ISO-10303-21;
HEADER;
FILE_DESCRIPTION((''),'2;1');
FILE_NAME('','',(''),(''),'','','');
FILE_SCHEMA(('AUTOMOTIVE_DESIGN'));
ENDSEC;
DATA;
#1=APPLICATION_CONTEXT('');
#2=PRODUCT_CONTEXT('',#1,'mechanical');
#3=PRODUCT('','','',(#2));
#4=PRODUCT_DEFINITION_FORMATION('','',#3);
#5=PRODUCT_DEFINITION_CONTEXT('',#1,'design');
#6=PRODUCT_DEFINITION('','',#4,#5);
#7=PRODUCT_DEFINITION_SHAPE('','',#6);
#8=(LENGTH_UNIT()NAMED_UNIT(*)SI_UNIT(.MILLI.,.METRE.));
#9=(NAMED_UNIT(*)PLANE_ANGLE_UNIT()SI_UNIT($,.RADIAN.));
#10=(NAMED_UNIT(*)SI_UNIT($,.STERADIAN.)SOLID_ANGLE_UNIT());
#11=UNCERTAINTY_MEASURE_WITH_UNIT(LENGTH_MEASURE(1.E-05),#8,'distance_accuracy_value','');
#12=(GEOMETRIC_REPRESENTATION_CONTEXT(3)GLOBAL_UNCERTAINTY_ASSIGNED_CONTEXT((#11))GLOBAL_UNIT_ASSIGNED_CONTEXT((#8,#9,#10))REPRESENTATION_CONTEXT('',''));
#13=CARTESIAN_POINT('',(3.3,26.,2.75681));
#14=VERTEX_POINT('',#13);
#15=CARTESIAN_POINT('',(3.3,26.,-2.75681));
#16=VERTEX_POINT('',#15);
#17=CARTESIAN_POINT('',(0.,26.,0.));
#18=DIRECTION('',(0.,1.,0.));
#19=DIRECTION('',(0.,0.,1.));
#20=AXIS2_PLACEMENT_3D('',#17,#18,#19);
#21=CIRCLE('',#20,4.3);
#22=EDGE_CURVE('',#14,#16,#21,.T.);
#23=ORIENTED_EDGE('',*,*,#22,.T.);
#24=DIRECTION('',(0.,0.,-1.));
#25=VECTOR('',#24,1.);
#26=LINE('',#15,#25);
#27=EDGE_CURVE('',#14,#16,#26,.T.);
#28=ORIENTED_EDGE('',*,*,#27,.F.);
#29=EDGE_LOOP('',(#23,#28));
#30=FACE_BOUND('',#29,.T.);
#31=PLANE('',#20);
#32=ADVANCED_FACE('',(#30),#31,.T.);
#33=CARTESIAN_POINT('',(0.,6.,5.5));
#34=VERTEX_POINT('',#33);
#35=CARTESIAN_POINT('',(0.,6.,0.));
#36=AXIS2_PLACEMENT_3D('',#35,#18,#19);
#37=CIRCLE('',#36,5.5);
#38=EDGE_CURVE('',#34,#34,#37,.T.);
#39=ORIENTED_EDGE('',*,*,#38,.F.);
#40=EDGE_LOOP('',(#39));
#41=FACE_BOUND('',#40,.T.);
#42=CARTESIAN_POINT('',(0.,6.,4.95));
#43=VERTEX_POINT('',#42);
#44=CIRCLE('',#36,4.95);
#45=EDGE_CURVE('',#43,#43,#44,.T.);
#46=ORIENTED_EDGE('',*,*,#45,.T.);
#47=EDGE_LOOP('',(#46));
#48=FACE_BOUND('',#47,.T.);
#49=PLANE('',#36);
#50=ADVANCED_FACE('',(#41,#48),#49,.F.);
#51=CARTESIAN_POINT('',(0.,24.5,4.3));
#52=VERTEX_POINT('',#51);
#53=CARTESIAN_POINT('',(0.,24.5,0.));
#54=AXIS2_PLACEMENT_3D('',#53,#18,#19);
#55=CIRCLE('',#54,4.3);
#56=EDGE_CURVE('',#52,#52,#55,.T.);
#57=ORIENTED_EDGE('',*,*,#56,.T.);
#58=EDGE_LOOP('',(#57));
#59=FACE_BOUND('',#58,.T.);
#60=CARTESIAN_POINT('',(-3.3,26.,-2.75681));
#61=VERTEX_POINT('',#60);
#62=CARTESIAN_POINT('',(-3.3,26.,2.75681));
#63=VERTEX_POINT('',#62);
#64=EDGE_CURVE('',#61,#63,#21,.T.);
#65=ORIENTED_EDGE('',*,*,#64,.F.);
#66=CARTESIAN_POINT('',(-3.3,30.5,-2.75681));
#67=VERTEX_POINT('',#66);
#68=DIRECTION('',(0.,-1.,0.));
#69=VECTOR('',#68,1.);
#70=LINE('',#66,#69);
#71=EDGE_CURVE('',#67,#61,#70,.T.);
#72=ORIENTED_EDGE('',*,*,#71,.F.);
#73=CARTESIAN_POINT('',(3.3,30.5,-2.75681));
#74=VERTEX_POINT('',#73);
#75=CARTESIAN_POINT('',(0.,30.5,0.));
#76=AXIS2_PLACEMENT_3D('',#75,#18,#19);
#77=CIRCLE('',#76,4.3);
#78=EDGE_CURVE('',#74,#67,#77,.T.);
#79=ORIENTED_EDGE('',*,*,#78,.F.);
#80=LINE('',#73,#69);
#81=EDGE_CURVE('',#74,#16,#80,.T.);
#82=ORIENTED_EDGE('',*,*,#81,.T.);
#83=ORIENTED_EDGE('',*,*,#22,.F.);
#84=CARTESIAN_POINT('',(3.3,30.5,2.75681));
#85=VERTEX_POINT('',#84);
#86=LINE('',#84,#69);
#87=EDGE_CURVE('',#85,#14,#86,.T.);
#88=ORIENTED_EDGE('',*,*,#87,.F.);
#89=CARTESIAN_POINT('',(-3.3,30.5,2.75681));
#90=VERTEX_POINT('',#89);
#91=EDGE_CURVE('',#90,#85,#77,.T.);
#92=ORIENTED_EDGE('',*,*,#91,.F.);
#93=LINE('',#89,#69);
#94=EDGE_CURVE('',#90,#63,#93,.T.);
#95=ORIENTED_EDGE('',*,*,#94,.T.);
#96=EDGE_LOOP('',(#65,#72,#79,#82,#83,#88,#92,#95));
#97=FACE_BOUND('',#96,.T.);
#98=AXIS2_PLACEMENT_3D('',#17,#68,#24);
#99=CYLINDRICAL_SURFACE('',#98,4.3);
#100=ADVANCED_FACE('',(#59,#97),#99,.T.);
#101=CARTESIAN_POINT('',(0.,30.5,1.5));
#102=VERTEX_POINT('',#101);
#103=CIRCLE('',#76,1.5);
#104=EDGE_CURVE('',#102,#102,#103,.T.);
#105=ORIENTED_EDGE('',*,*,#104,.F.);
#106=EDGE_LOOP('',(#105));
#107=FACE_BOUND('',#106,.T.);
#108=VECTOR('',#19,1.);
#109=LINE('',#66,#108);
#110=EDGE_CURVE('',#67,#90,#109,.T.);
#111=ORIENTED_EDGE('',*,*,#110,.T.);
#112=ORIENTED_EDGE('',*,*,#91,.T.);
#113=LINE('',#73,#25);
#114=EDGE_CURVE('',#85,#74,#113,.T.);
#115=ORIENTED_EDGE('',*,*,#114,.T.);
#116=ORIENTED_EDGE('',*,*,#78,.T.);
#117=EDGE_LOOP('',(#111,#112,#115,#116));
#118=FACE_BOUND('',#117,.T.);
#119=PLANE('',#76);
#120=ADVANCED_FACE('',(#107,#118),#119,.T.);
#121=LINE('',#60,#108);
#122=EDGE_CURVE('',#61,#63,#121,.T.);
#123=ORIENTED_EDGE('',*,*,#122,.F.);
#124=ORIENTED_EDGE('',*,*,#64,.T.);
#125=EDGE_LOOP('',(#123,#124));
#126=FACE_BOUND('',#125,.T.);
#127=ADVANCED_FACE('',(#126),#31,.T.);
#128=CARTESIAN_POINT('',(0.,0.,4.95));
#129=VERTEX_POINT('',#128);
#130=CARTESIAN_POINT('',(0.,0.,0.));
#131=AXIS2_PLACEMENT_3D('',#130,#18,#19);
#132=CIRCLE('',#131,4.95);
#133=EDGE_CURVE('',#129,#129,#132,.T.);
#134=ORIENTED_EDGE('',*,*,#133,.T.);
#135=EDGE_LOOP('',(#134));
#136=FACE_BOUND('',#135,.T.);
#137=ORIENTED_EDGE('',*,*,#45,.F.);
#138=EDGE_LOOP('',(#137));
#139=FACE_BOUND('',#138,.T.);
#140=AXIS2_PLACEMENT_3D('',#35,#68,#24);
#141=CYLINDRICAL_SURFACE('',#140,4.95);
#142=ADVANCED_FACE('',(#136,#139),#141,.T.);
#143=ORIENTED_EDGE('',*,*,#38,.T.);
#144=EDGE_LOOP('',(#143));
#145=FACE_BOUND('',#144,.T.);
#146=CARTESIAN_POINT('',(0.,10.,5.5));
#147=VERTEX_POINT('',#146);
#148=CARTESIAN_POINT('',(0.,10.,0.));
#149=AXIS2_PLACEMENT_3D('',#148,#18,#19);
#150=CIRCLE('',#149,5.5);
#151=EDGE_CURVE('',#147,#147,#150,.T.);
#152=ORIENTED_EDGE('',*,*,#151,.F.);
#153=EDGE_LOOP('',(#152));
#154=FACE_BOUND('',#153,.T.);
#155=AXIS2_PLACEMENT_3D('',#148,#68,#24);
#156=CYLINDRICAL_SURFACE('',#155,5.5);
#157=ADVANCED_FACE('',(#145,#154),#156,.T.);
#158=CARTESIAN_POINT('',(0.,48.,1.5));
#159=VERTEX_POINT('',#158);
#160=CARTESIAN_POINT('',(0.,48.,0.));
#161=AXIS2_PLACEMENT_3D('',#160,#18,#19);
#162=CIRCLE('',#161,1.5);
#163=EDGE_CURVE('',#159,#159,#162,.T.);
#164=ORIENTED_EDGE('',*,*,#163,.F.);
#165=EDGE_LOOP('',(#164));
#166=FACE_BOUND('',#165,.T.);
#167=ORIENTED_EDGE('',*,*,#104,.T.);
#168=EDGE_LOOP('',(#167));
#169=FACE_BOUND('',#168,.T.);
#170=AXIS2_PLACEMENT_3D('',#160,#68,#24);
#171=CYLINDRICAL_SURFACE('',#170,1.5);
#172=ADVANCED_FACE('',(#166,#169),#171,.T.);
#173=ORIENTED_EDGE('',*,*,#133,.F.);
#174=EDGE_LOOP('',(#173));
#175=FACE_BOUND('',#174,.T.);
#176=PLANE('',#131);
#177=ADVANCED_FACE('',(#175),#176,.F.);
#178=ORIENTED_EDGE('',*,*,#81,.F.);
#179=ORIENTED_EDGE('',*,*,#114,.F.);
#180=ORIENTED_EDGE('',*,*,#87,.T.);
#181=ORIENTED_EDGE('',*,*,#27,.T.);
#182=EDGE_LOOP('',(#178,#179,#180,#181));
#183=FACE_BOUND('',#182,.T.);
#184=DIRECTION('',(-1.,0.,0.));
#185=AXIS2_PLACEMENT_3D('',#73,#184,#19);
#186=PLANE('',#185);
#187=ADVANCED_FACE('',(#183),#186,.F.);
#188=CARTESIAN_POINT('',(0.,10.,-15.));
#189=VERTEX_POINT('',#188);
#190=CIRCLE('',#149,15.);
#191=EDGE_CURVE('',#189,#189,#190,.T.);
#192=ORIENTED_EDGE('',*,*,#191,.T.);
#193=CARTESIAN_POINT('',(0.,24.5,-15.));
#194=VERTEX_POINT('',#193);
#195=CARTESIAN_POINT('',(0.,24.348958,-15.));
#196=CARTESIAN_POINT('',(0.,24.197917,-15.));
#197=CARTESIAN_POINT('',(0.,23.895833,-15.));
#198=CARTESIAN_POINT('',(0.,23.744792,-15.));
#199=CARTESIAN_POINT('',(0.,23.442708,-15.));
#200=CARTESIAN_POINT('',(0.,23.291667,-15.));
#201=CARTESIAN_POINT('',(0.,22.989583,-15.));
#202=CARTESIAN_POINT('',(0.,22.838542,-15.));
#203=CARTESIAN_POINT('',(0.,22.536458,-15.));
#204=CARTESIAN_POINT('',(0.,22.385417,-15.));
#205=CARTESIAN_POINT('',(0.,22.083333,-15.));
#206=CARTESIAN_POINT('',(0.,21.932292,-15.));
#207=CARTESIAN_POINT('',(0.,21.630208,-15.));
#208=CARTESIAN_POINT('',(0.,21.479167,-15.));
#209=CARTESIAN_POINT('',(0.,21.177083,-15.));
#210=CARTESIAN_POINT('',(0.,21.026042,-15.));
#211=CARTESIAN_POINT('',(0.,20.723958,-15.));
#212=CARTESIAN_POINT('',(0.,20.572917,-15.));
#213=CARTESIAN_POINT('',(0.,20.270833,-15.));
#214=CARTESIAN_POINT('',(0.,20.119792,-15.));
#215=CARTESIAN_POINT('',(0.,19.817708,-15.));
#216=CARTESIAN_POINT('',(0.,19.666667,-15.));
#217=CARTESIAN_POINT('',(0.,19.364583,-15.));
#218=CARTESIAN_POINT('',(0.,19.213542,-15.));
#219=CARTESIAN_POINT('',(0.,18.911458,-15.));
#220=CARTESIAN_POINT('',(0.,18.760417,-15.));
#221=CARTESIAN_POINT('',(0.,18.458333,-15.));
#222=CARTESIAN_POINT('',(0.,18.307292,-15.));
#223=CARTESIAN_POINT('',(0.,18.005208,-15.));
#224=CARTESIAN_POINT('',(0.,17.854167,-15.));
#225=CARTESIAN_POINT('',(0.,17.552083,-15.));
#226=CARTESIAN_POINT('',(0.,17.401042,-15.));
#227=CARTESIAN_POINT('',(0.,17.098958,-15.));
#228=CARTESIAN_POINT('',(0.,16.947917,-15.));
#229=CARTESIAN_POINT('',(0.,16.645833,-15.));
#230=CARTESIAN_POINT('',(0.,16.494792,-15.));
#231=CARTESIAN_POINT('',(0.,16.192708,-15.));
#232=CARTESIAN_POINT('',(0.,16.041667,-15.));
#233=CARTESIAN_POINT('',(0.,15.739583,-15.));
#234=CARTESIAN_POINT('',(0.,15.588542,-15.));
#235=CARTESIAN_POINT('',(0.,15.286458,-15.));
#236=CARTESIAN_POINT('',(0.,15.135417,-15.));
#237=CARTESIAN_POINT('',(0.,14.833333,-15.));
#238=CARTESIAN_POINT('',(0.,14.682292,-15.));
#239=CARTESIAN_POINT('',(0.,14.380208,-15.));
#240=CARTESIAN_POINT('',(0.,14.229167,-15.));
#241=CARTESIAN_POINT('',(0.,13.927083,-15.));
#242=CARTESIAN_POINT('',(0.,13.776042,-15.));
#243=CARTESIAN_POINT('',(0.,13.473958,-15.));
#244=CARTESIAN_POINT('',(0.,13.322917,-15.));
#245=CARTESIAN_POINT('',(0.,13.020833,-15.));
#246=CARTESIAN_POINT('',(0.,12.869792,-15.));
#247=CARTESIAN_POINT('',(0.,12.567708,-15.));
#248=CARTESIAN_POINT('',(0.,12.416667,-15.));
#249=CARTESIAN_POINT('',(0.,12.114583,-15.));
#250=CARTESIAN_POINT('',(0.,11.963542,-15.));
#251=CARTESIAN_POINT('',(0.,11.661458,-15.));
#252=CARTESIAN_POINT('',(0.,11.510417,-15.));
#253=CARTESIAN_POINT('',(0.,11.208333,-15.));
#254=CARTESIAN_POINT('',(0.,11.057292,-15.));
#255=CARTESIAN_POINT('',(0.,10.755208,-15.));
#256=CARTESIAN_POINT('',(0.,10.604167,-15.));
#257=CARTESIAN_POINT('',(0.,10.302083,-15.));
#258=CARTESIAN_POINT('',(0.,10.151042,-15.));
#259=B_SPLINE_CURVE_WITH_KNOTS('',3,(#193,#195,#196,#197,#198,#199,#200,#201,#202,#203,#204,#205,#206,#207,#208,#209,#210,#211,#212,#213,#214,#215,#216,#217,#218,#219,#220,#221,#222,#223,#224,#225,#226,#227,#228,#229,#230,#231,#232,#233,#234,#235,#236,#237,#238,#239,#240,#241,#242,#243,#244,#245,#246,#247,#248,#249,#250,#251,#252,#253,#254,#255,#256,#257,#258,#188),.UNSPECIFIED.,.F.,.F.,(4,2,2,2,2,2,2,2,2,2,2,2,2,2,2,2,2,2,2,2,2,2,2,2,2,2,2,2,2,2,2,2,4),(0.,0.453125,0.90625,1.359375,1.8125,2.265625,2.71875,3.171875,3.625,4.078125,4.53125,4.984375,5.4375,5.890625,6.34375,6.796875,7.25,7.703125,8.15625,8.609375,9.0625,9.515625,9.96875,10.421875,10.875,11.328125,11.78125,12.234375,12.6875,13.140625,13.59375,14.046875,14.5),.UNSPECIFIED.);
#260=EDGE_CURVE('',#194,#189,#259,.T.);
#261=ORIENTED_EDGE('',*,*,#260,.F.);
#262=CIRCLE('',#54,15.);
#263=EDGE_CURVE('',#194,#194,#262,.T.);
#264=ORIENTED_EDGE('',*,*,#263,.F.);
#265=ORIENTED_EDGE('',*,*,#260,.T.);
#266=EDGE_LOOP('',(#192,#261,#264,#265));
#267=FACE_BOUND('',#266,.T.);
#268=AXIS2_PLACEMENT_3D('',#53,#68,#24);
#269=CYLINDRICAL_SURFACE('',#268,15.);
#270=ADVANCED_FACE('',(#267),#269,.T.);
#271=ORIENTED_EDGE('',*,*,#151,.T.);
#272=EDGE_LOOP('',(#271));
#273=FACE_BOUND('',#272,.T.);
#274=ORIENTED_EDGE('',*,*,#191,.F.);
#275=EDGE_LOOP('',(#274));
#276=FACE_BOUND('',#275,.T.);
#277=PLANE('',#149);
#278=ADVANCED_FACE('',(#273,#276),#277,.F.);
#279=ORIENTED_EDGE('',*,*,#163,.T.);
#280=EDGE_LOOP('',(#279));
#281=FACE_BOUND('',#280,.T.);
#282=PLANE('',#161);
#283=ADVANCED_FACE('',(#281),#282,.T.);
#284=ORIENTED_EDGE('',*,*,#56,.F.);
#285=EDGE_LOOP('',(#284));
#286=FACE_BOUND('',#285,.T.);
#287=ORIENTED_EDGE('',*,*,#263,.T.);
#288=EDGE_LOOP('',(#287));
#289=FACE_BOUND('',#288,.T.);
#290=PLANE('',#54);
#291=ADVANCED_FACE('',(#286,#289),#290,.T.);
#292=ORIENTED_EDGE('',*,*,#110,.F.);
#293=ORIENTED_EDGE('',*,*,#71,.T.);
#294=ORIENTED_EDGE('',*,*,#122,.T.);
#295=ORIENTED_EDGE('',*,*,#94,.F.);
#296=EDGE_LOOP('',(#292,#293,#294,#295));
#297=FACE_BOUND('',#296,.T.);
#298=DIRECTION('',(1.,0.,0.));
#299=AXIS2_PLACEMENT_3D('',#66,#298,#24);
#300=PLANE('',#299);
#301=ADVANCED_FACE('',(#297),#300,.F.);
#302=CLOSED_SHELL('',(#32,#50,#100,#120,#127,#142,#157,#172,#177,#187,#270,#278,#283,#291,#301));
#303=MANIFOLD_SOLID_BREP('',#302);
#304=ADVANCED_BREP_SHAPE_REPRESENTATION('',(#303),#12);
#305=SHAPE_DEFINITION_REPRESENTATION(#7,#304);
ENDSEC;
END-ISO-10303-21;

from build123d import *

# Parameters (mm, degrees)
SKETCH1_R           = 4.95
BOSS_EXTRUDE1_DEPTH = 6
SKETCH2_R           = 5.5
BOSS_EXTRUDE2_DEPTH = 4
SKETCH3_R           = 15
BOSS_EXTRUDE3_DEPTH = 14.5
SKETCH4_R           = 4.3
BOSS_EXTRUDE4_DEPTH = 1.5
BOSS_EXTRUDE5_DEPTH = 4.5
SKETCH6_R           = 1.5
BOSS_EXTRUDE6_DEPTH = 17.5


with BuildPart() as part:
    # Sketch1 → Boss-Extrude1 (new body)
    with BuildSketch(Plane(origin=(0, 0, 0), x_dir=(1, 0, 0), z_dir=(0, 1, 0))):
        with Locations(Location((0, 0, 0), (0, 0, 270))):
            Circle(SKETCH1_R)
    extrude(amount=BOSS_EXTRUDE1_DEPTH)

    # Sketch2 → Boss-Extrude2 (add)
    with BuildSketch(Plane(origin=(0, 6, 0), x_dir=(1, 0, 0), z_dir=(0, 1, 0))):
        with Locations(Location((0, 0, 0), (0, 0, 270))):
            Circle(SKETCH2_R)
    extrude(amount=BOSS_EXTRUDE2_DEPTH)

    # Sketch3 → Boss-Extrude3 (add)
    with BuildSketch(Plane(origin=(0, 10, 0), x_dir=(1, 0, 0), z_dir=(0, 1, 0))):
        with Locations(Location((0, 0, 0), (0, 0, 90))):
            Circle(SKETCH3_R)
    extrude(amount=BOSS_EXTRUDE3_DEPTH)

    # Sketch4 → Boss-Extrude4 (add)
    with BuildSketch(Plane(origin=(0, 24.5, 0), x_dir=(1, 0, 0), z_dir=(0, 1, 0))):
        with Locations(Location((0, 0, 0), (0, 0, 270))):
            Circle(SKETCH4_R)
    extrude(amount=BOSS_EXTRUDE4_DEPTH)

    # Sketch5 → Boss-Extrude5 (add)
    with BuildSketch(Plane(origin=(0, 26, 0), x_dir=(1, 0, 0), z_dir=(0, 1, 0))):
        with BuildLine():
            Line((-3.3, 2.75680975), (-3.3, -2.75680975))
            ThreePointArc((-3.3, -2.75680975), (0, -4.3), (3.3, -2.75680975))
            Line((3.3, -2.75680975), (3.3, 2.75680975))
            ThreePointArc((3.3, 2.75680975), (0, 4.3), (-3.3, 2.75680975))
        make_face()
    extrude(amount=BOSS_EXTRUDE5_DEPTH)

    # Sketch6 → Boss-Extrude6 (add)
    with BuildSketch(Plane(origin=(0, 30.5, 0), x_dir=(1, 0, 0), z_dir=(0, 1, 0))):
        with Locations(Location((0, 0, 0), (0, 0, 270))):
            Circle(SKETCH6_R)
    extrude(amount=BOSS_EXTRUDE6_DEPTH)


solid = part.part
